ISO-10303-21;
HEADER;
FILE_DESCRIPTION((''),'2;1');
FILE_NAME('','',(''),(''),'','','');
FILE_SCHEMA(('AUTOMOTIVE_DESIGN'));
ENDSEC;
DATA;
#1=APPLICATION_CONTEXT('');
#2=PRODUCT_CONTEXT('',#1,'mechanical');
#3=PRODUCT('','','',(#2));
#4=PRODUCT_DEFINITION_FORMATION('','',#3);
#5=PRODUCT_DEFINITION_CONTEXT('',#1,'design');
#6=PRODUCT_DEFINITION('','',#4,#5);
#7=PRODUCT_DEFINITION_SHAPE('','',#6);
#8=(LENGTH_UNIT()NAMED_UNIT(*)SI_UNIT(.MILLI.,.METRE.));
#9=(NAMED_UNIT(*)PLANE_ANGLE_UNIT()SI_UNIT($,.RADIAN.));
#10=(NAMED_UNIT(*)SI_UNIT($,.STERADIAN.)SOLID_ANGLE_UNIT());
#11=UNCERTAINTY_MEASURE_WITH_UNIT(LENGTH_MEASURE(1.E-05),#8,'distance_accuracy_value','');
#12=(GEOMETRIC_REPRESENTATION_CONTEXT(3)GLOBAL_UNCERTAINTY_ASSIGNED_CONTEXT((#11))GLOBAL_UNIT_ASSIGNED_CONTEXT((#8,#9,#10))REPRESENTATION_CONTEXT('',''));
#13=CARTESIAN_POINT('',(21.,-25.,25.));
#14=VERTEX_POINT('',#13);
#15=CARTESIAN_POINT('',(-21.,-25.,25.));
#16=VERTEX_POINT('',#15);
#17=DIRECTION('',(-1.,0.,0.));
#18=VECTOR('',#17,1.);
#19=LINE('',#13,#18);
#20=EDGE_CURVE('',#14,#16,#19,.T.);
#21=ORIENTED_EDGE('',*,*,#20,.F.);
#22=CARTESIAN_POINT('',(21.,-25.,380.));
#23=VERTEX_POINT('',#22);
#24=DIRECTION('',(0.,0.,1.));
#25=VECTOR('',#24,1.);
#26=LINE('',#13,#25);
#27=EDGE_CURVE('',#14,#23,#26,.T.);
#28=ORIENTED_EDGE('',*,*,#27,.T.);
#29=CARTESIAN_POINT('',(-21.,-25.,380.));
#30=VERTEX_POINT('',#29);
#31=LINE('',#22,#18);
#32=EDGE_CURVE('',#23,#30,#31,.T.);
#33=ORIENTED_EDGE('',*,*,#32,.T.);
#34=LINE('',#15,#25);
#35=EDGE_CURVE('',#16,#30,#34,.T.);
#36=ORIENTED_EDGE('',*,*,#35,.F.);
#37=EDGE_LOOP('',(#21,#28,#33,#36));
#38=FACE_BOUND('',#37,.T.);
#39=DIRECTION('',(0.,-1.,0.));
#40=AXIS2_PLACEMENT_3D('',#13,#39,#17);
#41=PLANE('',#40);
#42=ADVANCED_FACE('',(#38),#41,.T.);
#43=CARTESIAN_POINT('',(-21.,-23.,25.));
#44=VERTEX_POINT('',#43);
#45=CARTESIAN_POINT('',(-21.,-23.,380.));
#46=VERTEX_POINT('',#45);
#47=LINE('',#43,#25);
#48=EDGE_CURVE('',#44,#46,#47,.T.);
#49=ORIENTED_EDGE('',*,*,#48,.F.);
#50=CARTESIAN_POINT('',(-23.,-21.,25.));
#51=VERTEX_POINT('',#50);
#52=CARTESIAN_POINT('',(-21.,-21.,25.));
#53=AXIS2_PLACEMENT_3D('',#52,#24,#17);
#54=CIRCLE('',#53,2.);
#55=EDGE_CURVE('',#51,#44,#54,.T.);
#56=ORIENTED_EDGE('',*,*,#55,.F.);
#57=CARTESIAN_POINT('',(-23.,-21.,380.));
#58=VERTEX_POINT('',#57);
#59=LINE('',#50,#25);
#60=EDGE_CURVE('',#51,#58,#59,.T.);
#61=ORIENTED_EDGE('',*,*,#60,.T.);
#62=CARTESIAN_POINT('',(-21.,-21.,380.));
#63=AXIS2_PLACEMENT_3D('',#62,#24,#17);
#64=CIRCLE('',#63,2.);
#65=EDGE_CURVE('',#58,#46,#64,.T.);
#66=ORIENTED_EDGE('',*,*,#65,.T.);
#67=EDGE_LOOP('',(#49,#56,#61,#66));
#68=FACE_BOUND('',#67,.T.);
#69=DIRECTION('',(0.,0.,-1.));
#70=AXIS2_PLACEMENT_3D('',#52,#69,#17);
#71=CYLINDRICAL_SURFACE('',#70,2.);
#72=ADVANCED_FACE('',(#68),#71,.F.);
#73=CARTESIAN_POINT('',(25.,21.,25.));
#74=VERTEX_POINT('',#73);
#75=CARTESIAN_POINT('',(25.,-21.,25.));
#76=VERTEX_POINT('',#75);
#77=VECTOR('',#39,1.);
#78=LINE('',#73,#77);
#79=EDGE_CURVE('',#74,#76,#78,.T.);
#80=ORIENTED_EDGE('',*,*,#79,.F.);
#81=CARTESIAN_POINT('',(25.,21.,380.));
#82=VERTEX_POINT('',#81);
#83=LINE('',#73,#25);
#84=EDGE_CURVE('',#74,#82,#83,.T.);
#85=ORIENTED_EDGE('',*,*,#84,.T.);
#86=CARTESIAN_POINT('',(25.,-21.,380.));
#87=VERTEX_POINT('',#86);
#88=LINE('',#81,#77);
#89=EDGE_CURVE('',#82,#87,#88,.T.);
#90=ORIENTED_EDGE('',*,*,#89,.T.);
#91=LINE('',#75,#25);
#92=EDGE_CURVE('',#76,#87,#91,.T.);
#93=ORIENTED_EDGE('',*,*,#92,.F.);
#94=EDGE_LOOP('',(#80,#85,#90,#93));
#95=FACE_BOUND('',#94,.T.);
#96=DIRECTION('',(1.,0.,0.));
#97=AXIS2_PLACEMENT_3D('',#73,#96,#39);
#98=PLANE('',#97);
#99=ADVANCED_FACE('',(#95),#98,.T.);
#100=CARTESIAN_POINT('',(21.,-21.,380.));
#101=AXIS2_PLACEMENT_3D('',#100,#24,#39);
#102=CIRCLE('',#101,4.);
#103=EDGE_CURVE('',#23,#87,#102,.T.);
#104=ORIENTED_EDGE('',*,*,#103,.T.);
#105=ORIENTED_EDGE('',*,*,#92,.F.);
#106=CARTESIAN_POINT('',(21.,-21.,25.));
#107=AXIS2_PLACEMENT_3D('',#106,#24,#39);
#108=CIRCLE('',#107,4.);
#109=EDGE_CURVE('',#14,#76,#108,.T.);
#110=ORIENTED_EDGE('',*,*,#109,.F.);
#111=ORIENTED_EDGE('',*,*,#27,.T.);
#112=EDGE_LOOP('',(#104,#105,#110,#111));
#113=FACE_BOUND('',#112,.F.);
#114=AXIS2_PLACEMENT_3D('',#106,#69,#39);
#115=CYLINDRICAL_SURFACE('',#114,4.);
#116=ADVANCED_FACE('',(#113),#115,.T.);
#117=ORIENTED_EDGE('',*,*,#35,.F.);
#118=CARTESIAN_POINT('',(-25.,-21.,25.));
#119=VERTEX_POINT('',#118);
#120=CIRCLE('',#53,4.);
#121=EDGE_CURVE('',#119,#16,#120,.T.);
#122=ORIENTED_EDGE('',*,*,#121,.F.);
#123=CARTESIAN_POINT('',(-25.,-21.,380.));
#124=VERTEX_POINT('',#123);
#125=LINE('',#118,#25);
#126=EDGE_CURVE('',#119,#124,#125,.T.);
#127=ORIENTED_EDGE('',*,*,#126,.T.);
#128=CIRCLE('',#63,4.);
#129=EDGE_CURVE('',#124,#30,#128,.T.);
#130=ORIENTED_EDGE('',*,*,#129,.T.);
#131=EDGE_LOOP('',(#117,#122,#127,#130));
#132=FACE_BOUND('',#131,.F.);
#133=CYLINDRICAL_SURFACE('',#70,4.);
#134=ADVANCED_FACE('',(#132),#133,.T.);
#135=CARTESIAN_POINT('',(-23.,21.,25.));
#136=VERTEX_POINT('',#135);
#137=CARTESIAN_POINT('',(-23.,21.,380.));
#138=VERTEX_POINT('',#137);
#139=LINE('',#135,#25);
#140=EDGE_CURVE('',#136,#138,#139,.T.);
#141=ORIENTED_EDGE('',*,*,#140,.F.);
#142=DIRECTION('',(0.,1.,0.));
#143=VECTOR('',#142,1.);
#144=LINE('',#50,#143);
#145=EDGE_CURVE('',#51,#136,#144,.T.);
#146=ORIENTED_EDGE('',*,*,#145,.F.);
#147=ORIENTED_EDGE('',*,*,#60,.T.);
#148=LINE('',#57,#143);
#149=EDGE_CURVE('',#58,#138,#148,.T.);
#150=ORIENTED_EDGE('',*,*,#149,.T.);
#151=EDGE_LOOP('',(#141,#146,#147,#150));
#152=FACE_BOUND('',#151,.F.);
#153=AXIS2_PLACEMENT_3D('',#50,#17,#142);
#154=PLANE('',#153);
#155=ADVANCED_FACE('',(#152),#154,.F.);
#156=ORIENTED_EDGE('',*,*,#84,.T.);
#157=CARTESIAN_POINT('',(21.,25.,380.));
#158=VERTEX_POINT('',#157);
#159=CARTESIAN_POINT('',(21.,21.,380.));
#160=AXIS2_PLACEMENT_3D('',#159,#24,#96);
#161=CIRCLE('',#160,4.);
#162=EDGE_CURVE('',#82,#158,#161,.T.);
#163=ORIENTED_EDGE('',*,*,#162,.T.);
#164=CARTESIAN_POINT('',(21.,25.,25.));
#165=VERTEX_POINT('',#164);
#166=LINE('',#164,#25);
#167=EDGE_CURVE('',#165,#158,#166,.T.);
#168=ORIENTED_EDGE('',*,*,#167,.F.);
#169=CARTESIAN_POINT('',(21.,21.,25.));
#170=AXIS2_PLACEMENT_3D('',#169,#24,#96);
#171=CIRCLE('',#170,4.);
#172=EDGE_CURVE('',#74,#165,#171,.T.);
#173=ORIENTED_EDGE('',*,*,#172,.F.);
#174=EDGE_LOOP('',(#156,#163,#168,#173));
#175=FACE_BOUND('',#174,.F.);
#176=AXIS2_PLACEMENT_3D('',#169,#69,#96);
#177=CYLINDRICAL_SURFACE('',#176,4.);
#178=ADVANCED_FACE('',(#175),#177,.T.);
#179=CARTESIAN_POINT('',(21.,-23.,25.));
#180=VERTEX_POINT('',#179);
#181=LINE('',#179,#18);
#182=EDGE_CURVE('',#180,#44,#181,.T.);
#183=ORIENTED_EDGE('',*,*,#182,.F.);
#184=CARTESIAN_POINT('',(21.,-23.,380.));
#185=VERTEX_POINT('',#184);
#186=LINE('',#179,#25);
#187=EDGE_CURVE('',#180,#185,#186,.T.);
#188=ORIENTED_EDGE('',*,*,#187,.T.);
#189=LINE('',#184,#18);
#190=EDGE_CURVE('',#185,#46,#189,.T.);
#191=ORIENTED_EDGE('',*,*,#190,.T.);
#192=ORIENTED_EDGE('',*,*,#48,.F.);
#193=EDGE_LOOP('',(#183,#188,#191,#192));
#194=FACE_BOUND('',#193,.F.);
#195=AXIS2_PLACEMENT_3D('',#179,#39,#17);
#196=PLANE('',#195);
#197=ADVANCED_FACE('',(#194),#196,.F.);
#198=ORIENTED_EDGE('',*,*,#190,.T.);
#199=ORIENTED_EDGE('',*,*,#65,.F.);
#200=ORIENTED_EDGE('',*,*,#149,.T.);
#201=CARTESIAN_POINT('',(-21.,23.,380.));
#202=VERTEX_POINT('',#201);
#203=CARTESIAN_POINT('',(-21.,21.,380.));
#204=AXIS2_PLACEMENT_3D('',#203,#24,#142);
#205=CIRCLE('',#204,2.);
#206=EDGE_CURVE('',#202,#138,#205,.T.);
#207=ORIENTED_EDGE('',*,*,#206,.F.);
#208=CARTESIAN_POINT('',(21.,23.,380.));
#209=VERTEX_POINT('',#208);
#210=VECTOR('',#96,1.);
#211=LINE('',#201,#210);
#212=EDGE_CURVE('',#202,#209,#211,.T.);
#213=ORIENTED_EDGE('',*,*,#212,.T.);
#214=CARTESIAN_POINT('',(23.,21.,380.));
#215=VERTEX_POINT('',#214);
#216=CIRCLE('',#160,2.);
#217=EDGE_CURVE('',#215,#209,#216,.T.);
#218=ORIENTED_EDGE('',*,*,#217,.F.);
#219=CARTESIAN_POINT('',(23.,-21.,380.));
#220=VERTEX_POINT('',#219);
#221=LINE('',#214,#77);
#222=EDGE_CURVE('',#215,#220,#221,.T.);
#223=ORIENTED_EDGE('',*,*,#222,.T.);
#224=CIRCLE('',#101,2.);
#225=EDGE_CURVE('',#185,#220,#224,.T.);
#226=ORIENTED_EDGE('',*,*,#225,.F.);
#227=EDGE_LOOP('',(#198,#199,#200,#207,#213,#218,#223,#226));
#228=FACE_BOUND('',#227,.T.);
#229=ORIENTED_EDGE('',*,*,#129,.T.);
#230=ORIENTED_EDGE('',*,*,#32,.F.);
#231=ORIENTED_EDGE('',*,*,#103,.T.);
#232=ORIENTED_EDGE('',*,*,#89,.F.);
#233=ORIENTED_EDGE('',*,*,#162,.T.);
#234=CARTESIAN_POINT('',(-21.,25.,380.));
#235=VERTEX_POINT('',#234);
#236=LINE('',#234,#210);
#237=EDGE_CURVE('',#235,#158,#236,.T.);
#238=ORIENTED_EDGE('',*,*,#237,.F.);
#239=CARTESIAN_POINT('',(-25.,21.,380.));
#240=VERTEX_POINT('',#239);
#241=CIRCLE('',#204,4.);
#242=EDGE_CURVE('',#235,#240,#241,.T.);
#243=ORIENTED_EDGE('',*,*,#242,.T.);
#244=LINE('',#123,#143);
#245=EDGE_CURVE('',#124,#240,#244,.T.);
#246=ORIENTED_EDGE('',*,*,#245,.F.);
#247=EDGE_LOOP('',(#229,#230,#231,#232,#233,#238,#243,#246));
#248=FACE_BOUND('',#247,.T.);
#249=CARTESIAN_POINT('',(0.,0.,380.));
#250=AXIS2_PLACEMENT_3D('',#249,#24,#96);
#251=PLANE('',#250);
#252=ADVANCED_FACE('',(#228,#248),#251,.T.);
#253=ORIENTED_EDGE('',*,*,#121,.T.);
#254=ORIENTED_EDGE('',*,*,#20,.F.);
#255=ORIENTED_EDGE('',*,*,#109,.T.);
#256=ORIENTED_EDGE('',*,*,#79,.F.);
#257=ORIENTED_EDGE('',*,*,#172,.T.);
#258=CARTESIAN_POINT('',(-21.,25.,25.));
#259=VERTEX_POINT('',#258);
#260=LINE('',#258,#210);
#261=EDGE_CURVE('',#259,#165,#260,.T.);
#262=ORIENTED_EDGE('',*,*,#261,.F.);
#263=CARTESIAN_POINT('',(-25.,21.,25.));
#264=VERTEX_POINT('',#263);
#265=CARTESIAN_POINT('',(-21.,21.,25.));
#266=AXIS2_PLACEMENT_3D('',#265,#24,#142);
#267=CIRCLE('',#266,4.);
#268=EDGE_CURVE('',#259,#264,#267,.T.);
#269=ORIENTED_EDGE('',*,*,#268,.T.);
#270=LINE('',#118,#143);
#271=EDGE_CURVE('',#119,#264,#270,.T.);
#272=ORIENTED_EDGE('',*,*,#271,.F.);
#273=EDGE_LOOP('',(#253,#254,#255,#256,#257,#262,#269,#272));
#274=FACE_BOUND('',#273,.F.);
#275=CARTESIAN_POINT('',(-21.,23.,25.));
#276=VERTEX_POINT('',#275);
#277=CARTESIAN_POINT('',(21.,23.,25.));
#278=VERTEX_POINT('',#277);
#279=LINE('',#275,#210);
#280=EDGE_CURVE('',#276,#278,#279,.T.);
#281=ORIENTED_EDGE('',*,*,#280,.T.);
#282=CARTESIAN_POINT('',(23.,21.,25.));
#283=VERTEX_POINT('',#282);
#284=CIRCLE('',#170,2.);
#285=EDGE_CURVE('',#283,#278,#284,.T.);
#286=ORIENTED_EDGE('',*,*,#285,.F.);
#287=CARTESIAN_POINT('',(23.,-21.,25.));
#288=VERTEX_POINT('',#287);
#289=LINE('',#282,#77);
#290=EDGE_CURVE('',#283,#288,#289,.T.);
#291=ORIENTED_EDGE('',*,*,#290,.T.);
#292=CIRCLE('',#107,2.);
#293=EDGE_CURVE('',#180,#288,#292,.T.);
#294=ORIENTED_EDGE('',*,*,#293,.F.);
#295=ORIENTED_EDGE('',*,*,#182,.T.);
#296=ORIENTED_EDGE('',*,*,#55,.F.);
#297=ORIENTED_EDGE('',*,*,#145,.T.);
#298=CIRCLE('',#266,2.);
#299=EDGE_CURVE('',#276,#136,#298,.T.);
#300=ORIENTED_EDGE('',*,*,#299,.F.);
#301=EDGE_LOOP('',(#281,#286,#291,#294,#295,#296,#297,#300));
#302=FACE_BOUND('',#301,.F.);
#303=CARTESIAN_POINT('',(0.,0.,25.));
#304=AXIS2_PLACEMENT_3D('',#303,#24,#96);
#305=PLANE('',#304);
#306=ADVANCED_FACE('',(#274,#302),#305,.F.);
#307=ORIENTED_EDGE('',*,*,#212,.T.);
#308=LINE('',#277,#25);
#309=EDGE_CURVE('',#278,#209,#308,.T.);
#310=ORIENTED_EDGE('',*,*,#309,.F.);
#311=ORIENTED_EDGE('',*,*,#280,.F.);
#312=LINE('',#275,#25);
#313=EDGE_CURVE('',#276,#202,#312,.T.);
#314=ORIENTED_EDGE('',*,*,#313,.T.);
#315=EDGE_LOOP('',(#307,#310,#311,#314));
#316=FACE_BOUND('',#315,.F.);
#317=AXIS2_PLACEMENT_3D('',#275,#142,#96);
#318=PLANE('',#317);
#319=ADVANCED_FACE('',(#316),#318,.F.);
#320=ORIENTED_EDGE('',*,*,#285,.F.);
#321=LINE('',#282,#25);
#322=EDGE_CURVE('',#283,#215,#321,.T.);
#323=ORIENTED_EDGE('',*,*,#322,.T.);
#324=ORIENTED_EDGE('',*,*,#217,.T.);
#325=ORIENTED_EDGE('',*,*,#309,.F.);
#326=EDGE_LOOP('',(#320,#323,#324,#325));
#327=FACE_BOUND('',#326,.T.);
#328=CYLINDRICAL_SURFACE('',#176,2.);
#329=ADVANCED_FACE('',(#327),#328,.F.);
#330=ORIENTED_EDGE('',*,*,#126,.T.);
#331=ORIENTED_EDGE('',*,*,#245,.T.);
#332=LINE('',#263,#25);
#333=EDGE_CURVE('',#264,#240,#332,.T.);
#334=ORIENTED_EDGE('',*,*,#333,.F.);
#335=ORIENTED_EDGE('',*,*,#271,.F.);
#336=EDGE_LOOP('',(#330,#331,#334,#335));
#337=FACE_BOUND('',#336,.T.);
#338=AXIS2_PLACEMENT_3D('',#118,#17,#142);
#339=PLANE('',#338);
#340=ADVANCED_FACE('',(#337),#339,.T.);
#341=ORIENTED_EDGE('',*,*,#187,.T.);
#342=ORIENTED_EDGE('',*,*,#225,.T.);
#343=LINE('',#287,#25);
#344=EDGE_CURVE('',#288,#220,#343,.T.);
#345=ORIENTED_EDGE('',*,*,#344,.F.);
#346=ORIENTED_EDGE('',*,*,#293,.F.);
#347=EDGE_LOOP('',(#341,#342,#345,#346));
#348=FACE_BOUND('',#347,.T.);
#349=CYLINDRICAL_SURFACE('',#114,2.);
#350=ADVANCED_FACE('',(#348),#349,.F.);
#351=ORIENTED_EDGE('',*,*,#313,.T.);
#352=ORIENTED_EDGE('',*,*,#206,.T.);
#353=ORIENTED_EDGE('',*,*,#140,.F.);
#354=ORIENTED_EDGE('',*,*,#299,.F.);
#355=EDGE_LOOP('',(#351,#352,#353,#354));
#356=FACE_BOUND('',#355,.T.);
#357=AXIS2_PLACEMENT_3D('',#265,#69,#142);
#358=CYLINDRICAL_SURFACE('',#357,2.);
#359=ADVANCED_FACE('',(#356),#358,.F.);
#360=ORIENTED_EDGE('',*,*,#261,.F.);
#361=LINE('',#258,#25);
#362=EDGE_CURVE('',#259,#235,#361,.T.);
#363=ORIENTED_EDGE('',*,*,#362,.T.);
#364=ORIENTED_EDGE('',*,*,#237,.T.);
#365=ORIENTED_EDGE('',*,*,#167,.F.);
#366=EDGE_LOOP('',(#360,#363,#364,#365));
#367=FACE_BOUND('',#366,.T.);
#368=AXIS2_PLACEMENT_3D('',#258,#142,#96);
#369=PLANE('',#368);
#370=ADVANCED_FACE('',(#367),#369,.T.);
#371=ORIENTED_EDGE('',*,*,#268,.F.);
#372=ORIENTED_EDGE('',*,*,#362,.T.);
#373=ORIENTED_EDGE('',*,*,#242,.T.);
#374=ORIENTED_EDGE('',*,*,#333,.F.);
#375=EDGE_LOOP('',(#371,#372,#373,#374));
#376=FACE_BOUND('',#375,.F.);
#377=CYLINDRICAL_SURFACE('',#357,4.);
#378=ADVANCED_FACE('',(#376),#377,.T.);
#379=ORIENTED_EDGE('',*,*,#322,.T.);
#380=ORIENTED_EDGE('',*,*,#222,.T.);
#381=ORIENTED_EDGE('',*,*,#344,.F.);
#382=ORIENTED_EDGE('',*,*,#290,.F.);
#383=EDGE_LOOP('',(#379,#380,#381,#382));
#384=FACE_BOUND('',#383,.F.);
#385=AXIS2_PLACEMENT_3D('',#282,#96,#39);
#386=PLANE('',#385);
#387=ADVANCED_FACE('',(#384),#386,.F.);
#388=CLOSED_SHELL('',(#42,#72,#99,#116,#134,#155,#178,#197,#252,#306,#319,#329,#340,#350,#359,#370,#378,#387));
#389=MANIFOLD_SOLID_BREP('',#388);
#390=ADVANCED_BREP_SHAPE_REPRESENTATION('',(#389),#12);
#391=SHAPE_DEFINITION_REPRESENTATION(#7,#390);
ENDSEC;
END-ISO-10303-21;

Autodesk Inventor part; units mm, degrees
ref_plane "Plano inicial" through (0, 0, 25) normal (0, 0, 1) x (1, 0, 0)
ref_plane "Plano final" through (0, 0, 380) normal (0, 0, 1) x (1, 0, 0)
sketch "Boceto" plane through (0, 0, 0) normal (0, 0, 1) x (1, 0, 0)
  line L0 (-25, -21) -> (-25, 21)
  line L1 (-21, 25) -> (21, 25)
  line L2 (25, 21) -> (25, -21)
  line L3 (21, -25) -> (-21, -25)
  arc A0 (-25, -21) -> (-21, -25) centre (-21, -21) ccw
  arc A1 (25, 21) -> (21, 25) centre (21, 21) ccw
  arc A2 (-21, 25) -> (-25, 21) centre (-21, 21) ccw
  arc A3 (21, -25) -> (25, -21) centre (21, -21) ccw
  arc A4 (-21, 23) -> (-23, 21) centre (-21, 21) ccw
  line L4 (-21, 23) -> (21, 23)
  arc A5 (23, 21) -> (21, 23) centre (21, 21) ccw
  line L5 (23, 21) -> (23, -21)
  arc A6 (21, -23) -> (23, -21) centre (21, -21) ccw
  line L6 (21, -23) -> (-21, -23)
  arc A7 (-23, -21) -> (-21, -23) centre (-21, -21) ccw
  line L7 (-23, -21) -> (-23, 21)
  line L8 (0, 36.1598) -> (0, -36.1598) construction
  line L9 (-36.1598, 0) -> (36.1598, 0) construction
  dimension "d7" = 4
  dimension "d9" = 50
  dimension "d11" = 50
  dimension "d12" = 2
  dimension "d15" = 25
  dimension "d16" = 25
extrude "Cuerpo" add sketch "Boceto" along normal up to surface (355 mm away) from surface at 25
sketch "Sketch3" plane through (0, 0, 0) normal (0, 0, 1) x (1, 0, 0)
  line L0 (0, 0) -> (10, 0)
ref_plane "Work Plane3" through (0, 0, 0) normal (0, -1, 0) x (1, 0, 0)
sketch "Sketch4" plane through (0, 0, 0) normal (0, -1, 0) x (1, 0, 0)
  line L0 (-2, 25) -> (12, 25)
  line L1 (-2, 380) -> (12, 380)
  dimension "d18" = 355
ref_plane "Plano de trabajo4" through (-150.06, 21, 380) normal (0, 0, 1) x (1, 0, 0)
split "Dividir1" plane through (-150.06, 21, 380) removes the side toward (0, 0, 1)
ref_plane "Plano de trabajo5" through (349.94, 21, 25) normal (0, 0, -1) x (-1, 0, 0)
split "Dividir2" plane through (349.94, 21, 25) removes the side toward (0, 0, -1)
equation "\"d7\" = G_IR"
equation "\"d9\" = G_W"
equation "\"d11\" = G_H"
equation "\"d12\" = G_T"
equation "\"d15\" = 0.5 * d9"
equation "\"d16\" = 0.5 * d11"
equation "\"d3\" = G_L"
equation "\"G_W\" = 50"
equation "\"G_H\" = 50"
equation "\"G_T\" = 2"
equation "\"G_IR\" = 4"
equation "\"G_L\" = d18"
equation "\"G_OFFSET_START\" = -25"
equation "\"G_OFFSET_END\" = -137.5"
equation "\"d13\" = -G_OFFSET_START"
equation "\"B_L\" = 517.5"
properties part number "ISO 10799-2 - 50x50x2 - 355" material "Galvanizado catalogo 1"
